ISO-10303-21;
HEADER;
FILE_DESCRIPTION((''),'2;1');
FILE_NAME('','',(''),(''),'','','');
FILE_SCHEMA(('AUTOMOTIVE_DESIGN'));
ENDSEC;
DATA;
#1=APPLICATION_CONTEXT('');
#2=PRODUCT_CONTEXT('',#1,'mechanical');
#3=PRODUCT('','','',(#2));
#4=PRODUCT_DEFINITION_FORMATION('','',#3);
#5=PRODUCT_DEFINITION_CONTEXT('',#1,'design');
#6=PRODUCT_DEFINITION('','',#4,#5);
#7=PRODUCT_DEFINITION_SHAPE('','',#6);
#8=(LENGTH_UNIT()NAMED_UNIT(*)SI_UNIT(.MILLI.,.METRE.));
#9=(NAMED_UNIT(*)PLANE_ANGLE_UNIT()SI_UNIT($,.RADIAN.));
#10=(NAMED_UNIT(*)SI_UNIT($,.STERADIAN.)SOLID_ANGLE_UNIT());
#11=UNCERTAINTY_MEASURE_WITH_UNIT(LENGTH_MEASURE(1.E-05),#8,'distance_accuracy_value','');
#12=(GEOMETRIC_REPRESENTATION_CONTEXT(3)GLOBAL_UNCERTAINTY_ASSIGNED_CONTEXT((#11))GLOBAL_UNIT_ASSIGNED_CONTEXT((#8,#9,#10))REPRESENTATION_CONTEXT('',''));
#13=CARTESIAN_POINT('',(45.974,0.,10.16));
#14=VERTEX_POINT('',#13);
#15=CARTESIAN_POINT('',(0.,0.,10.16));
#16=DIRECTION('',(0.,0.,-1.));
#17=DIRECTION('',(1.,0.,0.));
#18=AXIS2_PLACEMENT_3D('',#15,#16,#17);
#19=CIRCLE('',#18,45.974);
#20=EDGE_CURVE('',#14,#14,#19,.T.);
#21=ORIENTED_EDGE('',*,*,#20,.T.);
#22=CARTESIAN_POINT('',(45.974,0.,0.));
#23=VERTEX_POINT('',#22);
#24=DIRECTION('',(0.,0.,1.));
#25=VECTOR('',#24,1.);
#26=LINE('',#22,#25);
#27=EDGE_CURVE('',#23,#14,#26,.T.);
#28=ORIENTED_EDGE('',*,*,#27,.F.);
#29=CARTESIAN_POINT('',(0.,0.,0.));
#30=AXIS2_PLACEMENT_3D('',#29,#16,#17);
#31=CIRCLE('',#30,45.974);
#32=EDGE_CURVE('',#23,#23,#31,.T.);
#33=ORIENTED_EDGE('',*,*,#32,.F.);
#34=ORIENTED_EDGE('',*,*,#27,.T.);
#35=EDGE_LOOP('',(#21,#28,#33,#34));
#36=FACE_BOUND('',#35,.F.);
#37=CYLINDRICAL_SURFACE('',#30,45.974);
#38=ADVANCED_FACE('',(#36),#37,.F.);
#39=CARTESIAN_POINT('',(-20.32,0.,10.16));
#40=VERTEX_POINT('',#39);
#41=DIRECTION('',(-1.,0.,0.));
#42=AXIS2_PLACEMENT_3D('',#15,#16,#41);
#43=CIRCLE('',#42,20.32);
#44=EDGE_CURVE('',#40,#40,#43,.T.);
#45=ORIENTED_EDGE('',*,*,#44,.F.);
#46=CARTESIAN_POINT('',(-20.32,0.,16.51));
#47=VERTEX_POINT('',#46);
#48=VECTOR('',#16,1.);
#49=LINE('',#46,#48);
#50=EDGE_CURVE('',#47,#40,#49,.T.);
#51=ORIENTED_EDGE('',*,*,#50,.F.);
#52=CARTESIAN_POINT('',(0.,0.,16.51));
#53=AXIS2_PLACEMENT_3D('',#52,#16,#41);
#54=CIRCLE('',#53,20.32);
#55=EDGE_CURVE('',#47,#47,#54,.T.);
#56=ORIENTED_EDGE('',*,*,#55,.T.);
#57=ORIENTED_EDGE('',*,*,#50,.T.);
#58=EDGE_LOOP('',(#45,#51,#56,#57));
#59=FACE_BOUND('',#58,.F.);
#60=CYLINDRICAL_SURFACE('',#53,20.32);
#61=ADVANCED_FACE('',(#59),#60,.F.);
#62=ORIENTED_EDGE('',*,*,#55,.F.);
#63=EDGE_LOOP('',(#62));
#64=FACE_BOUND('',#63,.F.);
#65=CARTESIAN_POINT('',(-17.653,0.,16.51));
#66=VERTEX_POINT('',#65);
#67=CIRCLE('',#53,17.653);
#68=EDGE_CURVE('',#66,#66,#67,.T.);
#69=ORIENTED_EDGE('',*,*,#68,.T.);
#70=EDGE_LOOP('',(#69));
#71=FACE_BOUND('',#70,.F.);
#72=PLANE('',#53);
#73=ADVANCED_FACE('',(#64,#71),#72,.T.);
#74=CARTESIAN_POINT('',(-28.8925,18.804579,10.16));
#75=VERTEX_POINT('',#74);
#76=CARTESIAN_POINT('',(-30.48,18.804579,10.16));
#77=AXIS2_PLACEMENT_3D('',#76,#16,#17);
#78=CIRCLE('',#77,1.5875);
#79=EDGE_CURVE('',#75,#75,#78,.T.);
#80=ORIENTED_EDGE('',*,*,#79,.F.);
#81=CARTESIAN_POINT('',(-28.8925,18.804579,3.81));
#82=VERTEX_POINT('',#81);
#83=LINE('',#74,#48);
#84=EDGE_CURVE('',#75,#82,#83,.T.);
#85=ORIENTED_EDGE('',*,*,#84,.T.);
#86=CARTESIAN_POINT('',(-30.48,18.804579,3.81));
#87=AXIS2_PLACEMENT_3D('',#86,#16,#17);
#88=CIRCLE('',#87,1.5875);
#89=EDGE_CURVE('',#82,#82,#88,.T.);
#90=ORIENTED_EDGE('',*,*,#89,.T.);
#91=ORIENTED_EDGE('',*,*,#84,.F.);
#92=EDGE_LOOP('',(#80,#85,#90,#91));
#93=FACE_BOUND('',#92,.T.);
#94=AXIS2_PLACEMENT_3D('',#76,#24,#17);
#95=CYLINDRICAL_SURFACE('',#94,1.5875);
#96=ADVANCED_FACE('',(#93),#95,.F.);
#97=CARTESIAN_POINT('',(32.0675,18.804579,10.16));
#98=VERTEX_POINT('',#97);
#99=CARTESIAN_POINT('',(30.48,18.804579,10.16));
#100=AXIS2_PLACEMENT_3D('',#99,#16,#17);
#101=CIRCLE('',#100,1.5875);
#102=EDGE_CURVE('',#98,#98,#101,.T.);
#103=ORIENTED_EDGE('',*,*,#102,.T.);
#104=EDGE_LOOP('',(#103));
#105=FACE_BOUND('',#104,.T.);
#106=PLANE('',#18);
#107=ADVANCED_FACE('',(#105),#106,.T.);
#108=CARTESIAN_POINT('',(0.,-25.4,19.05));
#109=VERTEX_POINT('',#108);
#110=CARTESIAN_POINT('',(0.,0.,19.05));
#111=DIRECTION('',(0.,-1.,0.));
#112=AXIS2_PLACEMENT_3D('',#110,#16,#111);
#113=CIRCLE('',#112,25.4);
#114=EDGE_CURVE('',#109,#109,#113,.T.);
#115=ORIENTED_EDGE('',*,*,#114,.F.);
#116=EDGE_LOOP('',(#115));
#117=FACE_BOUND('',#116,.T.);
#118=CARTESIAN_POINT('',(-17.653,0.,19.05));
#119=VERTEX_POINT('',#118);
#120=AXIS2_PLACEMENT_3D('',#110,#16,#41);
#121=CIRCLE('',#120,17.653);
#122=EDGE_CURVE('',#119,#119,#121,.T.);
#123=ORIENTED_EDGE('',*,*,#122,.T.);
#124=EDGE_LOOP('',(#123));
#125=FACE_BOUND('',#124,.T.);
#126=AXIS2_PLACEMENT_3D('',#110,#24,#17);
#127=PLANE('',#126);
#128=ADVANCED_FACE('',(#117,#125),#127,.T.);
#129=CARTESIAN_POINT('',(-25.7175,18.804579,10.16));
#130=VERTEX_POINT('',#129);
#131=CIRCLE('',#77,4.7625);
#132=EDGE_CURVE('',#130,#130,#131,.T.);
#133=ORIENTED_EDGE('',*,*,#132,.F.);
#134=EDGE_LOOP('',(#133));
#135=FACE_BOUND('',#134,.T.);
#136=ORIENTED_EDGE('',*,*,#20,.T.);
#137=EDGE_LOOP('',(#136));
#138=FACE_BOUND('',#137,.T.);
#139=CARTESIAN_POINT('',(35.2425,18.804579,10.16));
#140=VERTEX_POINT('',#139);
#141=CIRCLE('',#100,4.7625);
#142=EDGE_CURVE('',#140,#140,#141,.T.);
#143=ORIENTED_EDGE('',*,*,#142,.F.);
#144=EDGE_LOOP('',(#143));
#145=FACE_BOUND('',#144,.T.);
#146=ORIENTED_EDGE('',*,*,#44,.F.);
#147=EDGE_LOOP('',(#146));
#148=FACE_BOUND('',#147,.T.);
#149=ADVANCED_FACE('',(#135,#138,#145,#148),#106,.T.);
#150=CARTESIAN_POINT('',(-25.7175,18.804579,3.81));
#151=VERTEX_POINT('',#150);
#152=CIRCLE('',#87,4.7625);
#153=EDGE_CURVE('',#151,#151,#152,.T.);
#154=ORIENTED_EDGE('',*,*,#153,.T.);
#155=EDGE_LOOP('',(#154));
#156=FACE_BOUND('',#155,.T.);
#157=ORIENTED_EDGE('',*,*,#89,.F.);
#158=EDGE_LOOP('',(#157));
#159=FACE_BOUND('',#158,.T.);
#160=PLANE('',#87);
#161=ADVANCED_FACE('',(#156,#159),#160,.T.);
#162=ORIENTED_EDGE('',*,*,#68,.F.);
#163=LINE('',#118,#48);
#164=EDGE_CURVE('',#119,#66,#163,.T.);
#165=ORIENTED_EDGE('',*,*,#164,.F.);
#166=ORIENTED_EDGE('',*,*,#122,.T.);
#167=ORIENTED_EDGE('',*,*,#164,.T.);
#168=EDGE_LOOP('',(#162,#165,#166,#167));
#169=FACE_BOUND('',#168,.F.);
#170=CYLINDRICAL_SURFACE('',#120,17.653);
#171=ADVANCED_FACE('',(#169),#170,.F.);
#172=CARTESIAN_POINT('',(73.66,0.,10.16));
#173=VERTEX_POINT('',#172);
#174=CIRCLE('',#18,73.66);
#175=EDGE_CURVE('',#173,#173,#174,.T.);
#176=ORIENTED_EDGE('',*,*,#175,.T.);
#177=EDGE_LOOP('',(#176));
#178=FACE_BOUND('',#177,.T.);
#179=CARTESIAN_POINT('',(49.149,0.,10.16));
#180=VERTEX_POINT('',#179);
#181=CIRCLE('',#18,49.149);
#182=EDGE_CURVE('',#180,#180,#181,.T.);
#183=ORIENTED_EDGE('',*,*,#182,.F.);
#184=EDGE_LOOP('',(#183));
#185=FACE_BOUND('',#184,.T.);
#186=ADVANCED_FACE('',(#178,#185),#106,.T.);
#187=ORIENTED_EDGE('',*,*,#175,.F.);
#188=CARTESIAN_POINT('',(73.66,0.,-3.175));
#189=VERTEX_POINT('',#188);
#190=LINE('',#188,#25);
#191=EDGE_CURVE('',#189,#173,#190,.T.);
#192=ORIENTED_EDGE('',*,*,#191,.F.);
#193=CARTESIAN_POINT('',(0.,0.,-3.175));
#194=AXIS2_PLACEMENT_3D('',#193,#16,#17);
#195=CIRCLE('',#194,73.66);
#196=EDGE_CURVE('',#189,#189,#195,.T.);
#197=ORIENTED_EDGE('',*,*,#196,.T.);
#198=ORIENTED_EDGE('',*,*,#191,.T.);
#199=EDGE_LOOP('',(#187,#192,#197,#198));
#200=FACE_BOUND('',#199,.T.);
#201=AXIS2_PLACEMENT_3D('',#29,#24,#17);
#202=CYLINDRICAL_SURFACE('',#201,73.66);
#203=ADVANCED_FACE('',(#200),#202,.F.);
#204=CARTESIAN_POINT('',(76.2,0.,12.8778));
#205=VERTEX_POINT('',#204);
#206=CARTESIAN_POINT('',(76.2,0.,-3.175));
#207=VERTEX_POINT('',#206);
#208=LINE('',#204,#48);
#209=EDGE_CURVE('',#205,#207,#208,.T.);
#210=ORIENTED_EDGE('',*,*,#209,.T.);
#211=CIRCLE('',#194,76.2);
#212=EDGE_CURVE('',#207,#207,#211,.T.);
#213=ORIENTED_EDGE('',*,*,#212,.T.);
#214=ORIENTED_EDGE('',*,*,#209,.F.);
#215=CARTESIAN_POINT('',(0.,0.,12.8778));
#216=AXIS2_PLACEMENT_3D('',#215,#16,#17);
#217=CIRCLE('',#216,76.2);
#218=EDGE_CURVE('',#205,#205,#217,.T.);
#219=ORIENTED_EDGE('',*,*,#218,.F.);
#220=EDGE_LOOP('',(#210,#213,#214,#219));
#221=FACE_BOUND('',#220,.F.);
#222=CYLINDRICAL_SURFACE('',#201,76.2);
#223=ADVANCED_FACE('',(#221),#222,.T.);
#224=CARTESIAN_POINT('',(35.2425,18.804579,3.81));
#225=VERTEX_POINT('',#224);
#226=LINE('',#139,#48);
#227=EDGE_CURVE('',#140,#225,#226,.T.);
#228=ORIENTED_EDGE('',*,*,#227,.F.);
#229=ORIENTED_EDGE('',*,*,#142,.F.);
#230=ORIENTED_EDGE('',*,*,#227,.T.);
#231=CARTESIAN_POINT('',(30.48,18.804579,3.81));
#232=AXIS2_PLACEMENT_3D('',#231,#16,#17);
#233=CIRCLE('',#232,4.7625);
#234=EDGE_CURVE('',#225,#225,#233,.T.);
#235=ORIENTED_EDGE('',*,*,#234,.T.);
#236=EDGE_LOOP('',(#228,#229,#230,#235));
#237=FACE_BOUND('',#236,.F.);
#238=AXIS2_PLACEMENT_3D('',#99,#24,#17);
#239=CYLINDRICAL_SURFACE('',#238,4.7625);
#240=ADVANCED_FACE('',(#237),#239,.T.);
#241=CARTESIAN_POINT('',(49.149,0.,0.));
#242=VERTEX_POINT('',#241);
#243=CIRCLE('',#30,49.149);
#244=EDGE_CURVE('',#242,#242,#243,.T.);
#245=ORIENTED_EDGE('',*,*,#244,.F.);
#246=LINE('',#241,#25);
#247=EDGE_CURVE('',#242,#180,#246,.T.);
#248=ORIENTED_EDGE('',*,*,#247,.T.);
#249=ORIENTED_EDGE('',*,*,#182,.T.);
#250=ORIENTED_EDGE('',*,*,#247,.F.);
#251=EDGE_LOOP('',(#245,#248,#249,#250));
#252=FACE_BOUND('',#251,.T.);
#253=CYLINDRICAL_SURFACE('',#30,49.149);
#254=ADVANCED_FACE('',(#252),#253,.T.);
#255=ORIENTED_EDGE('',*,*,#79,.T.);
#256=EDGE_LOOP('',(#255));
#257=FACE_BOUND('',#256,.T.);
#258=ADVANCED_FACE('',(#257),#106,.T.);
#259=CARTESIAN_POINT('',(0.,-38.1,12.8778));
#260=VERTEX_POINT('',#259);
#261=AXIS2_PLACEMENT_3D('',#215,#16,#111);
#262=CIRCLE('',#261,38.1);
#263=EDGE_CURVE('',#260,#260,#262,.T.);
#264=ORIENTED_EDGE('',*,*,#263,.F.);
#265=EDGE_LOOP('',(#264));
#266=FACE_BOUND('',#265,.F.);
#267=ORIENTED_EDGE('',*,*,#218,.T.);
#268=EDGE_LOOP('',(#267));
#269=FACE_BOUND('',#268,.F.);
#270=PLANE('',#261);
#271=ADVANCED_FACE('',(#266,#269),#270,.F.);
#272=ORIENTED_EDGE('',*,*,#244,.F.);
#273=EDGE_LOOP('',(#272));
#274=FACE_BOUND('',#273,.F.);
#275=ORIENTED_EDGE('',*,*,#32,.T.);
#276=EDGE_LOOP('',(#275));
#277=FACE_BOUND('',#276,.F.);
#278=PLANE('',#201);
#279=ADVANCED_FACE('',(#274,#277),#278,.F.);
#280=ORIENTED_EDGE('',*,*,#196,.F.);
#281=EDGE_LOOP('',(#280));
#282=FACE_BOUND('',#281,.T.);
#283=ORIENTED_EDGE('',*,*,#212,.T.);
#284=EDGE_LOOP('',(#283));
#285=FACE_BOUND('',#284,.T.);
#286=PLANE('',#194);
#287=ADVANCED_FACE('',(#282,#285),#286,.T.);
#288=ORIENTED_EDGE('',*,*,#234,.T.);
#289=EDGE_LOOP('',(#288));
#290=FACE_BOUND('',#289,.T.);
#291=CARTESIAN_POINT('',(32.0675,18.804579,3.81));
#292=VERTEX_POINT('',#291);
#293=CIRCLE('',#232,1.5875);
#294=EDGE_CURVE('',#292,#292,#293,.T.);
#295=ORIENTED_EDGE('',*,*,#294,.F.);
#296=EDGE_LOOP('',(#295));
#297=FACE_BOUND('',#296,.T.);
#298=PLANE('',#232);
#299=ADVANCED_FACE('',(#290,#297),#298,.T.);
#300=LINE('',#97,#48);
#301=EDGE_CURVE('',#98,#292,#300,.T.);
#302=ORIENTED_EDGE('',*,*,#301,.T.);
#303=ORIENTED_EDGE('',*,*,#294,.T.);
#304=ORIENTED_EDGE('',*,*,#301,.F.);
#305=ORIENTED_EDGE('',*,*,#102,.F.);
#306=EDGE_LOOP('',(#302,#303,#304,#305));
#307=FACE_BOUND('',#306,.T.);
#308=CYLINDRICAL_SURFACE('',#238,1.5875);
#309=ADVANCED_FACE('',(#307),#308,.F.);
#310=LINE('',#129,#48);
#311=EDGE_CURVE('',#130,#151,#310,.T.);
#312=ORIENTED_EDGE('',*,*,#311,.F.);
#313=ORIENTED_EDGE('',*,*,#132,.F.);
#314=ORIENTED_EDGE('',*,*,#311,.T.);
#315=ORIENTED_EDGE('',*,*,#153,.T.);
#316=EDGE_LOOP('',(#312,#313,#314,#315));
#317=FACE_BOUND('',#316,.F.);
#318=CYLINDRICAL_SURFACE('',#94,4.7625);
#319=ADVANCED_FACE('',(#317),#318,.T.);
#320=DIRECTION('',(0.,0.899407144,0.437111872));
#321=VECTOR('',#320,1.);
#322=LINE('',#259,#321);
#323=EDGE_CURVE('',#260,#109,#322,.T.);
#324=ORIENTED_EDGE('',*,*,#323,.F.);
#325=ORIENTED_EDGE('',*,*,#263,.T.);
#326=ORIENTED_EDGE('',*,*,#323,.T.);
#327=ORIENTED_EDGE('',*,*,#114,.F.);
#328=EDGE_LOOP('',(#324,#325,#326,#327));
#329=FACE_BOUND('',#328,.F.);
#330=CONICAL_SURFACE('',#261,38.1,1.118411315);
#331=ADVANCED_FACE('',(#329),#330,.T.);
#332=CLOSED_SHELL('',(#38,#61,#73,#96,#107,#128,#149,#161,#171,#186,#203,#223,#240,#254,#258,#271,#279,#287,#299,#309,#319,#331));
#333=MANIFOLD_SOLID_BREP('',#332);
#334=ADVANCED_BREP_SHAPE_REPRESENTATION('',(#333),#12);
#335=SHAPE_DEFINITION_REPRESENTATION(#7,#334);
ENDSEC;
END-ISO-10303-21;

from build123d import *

# Parameters (mm, degrees)
F0_R      = 76.2
F1_DEPTH  = 19.05
F2_R      = 45.974
F3_DEPTH  = 10.16
F8_R      = 73.66
F8_R_2    = 49.149
F9_DEPTH  = 10.16
F10_R     = 76.2
F10_R_2   = 73.66
F11_DEPTH = 3.175
F14_R     = 4.7625
F14_R_2   = 1.5875
F15_DEPTH = 6.35


with BuildPart() as f1:
    # F0 (on Top) → F1 (new body)
    with BuildSketch(Plane.XY):
        Circle(F0_R)
    extrude(amount=F1_DEPTH)

    # F2 (on face) → F3 (cut)
    with BuildSketch(Plane(origin=(0, 0, 0), x_dir=(1, 0, 0), z_dir=(0, 0, -1))):
        Circle(F2_R)
    extrude(amount=-F3_DEPTH, mode=Mode.SUBTRACT)

    # F4 (on Front) → F5 (revolve, cut)
    with BuildSketch(Plane.XZ):
        Polygon((-17.653, 19.05), (-17.653, 16.51), (-20.32, 16.51), (-20.32, 10.16), (0, 10.16), (0, 19.05), align=None)
    revolve(axis=Axis((0, 0, 14.605), (0, 0, -1)), mode=Mode.SUBTRACT)

    # F6 (on Right) → F7 (revolve, cut)
    with BuildSketch(Plane.YZ):
        Polygon((-38.1, 12.8778), (-25.4, 19.05), (0, 19.05), (0, 29.321771), (-86.354569, 29.321771), (-86.354569, 12.8778), align=None)
    revolve(axis=Axis((0, 0, 24.185886), (0, 0, -1)), mode=Mode.SUBTRACT)

    # F8 (on face) → F9 (cut, through all)
    with BuildSketch(Plane(origin=(0, 0, 0), x_dir=(1, 0, 0), z_dir=(0, 0, -1))):
        Circle(F8_R)
        Circle(F8_R_2, mode=Mode.SUBTRACT)
    extrude(amount=-F9_DEPTH, mode=Mode.SUBTRACT)

    # F10 (on face) → F11 (join)
    with BuildSketch(Plane(origin=(0, 0, 0), x_dir=(1, 0, 0), z_dir=(0, 0, -1))):
        Circle(F10_R)
        Circle(F10_R_2, mode=Mode.SUBTRACT)
    extrude(amount=F11_DEPTH)

    # F14 (on face) → F15 (join)
    with BuildSketch(Plane(origin=(0, 0, 10.16), x_dir=(1, 0, 0), z_dir=(0, 0, -1))):
        with Locations((30.48, -18.804579)):
            Circle(F14_R)
        with Locations((30.48, -18.804579)):
            Circle(F14_R_2, mode=Mode.SUBTRACT)
        with Locations((-30.48, -18.804579)):
            Circle(F14_R)
        with Locations((-30.48, -18.804579)):
            Circle(F14_R_2, mode=Mode.SUBTRACT)
    extrude(amount=F15_DEPTH)


solid = f1.part
